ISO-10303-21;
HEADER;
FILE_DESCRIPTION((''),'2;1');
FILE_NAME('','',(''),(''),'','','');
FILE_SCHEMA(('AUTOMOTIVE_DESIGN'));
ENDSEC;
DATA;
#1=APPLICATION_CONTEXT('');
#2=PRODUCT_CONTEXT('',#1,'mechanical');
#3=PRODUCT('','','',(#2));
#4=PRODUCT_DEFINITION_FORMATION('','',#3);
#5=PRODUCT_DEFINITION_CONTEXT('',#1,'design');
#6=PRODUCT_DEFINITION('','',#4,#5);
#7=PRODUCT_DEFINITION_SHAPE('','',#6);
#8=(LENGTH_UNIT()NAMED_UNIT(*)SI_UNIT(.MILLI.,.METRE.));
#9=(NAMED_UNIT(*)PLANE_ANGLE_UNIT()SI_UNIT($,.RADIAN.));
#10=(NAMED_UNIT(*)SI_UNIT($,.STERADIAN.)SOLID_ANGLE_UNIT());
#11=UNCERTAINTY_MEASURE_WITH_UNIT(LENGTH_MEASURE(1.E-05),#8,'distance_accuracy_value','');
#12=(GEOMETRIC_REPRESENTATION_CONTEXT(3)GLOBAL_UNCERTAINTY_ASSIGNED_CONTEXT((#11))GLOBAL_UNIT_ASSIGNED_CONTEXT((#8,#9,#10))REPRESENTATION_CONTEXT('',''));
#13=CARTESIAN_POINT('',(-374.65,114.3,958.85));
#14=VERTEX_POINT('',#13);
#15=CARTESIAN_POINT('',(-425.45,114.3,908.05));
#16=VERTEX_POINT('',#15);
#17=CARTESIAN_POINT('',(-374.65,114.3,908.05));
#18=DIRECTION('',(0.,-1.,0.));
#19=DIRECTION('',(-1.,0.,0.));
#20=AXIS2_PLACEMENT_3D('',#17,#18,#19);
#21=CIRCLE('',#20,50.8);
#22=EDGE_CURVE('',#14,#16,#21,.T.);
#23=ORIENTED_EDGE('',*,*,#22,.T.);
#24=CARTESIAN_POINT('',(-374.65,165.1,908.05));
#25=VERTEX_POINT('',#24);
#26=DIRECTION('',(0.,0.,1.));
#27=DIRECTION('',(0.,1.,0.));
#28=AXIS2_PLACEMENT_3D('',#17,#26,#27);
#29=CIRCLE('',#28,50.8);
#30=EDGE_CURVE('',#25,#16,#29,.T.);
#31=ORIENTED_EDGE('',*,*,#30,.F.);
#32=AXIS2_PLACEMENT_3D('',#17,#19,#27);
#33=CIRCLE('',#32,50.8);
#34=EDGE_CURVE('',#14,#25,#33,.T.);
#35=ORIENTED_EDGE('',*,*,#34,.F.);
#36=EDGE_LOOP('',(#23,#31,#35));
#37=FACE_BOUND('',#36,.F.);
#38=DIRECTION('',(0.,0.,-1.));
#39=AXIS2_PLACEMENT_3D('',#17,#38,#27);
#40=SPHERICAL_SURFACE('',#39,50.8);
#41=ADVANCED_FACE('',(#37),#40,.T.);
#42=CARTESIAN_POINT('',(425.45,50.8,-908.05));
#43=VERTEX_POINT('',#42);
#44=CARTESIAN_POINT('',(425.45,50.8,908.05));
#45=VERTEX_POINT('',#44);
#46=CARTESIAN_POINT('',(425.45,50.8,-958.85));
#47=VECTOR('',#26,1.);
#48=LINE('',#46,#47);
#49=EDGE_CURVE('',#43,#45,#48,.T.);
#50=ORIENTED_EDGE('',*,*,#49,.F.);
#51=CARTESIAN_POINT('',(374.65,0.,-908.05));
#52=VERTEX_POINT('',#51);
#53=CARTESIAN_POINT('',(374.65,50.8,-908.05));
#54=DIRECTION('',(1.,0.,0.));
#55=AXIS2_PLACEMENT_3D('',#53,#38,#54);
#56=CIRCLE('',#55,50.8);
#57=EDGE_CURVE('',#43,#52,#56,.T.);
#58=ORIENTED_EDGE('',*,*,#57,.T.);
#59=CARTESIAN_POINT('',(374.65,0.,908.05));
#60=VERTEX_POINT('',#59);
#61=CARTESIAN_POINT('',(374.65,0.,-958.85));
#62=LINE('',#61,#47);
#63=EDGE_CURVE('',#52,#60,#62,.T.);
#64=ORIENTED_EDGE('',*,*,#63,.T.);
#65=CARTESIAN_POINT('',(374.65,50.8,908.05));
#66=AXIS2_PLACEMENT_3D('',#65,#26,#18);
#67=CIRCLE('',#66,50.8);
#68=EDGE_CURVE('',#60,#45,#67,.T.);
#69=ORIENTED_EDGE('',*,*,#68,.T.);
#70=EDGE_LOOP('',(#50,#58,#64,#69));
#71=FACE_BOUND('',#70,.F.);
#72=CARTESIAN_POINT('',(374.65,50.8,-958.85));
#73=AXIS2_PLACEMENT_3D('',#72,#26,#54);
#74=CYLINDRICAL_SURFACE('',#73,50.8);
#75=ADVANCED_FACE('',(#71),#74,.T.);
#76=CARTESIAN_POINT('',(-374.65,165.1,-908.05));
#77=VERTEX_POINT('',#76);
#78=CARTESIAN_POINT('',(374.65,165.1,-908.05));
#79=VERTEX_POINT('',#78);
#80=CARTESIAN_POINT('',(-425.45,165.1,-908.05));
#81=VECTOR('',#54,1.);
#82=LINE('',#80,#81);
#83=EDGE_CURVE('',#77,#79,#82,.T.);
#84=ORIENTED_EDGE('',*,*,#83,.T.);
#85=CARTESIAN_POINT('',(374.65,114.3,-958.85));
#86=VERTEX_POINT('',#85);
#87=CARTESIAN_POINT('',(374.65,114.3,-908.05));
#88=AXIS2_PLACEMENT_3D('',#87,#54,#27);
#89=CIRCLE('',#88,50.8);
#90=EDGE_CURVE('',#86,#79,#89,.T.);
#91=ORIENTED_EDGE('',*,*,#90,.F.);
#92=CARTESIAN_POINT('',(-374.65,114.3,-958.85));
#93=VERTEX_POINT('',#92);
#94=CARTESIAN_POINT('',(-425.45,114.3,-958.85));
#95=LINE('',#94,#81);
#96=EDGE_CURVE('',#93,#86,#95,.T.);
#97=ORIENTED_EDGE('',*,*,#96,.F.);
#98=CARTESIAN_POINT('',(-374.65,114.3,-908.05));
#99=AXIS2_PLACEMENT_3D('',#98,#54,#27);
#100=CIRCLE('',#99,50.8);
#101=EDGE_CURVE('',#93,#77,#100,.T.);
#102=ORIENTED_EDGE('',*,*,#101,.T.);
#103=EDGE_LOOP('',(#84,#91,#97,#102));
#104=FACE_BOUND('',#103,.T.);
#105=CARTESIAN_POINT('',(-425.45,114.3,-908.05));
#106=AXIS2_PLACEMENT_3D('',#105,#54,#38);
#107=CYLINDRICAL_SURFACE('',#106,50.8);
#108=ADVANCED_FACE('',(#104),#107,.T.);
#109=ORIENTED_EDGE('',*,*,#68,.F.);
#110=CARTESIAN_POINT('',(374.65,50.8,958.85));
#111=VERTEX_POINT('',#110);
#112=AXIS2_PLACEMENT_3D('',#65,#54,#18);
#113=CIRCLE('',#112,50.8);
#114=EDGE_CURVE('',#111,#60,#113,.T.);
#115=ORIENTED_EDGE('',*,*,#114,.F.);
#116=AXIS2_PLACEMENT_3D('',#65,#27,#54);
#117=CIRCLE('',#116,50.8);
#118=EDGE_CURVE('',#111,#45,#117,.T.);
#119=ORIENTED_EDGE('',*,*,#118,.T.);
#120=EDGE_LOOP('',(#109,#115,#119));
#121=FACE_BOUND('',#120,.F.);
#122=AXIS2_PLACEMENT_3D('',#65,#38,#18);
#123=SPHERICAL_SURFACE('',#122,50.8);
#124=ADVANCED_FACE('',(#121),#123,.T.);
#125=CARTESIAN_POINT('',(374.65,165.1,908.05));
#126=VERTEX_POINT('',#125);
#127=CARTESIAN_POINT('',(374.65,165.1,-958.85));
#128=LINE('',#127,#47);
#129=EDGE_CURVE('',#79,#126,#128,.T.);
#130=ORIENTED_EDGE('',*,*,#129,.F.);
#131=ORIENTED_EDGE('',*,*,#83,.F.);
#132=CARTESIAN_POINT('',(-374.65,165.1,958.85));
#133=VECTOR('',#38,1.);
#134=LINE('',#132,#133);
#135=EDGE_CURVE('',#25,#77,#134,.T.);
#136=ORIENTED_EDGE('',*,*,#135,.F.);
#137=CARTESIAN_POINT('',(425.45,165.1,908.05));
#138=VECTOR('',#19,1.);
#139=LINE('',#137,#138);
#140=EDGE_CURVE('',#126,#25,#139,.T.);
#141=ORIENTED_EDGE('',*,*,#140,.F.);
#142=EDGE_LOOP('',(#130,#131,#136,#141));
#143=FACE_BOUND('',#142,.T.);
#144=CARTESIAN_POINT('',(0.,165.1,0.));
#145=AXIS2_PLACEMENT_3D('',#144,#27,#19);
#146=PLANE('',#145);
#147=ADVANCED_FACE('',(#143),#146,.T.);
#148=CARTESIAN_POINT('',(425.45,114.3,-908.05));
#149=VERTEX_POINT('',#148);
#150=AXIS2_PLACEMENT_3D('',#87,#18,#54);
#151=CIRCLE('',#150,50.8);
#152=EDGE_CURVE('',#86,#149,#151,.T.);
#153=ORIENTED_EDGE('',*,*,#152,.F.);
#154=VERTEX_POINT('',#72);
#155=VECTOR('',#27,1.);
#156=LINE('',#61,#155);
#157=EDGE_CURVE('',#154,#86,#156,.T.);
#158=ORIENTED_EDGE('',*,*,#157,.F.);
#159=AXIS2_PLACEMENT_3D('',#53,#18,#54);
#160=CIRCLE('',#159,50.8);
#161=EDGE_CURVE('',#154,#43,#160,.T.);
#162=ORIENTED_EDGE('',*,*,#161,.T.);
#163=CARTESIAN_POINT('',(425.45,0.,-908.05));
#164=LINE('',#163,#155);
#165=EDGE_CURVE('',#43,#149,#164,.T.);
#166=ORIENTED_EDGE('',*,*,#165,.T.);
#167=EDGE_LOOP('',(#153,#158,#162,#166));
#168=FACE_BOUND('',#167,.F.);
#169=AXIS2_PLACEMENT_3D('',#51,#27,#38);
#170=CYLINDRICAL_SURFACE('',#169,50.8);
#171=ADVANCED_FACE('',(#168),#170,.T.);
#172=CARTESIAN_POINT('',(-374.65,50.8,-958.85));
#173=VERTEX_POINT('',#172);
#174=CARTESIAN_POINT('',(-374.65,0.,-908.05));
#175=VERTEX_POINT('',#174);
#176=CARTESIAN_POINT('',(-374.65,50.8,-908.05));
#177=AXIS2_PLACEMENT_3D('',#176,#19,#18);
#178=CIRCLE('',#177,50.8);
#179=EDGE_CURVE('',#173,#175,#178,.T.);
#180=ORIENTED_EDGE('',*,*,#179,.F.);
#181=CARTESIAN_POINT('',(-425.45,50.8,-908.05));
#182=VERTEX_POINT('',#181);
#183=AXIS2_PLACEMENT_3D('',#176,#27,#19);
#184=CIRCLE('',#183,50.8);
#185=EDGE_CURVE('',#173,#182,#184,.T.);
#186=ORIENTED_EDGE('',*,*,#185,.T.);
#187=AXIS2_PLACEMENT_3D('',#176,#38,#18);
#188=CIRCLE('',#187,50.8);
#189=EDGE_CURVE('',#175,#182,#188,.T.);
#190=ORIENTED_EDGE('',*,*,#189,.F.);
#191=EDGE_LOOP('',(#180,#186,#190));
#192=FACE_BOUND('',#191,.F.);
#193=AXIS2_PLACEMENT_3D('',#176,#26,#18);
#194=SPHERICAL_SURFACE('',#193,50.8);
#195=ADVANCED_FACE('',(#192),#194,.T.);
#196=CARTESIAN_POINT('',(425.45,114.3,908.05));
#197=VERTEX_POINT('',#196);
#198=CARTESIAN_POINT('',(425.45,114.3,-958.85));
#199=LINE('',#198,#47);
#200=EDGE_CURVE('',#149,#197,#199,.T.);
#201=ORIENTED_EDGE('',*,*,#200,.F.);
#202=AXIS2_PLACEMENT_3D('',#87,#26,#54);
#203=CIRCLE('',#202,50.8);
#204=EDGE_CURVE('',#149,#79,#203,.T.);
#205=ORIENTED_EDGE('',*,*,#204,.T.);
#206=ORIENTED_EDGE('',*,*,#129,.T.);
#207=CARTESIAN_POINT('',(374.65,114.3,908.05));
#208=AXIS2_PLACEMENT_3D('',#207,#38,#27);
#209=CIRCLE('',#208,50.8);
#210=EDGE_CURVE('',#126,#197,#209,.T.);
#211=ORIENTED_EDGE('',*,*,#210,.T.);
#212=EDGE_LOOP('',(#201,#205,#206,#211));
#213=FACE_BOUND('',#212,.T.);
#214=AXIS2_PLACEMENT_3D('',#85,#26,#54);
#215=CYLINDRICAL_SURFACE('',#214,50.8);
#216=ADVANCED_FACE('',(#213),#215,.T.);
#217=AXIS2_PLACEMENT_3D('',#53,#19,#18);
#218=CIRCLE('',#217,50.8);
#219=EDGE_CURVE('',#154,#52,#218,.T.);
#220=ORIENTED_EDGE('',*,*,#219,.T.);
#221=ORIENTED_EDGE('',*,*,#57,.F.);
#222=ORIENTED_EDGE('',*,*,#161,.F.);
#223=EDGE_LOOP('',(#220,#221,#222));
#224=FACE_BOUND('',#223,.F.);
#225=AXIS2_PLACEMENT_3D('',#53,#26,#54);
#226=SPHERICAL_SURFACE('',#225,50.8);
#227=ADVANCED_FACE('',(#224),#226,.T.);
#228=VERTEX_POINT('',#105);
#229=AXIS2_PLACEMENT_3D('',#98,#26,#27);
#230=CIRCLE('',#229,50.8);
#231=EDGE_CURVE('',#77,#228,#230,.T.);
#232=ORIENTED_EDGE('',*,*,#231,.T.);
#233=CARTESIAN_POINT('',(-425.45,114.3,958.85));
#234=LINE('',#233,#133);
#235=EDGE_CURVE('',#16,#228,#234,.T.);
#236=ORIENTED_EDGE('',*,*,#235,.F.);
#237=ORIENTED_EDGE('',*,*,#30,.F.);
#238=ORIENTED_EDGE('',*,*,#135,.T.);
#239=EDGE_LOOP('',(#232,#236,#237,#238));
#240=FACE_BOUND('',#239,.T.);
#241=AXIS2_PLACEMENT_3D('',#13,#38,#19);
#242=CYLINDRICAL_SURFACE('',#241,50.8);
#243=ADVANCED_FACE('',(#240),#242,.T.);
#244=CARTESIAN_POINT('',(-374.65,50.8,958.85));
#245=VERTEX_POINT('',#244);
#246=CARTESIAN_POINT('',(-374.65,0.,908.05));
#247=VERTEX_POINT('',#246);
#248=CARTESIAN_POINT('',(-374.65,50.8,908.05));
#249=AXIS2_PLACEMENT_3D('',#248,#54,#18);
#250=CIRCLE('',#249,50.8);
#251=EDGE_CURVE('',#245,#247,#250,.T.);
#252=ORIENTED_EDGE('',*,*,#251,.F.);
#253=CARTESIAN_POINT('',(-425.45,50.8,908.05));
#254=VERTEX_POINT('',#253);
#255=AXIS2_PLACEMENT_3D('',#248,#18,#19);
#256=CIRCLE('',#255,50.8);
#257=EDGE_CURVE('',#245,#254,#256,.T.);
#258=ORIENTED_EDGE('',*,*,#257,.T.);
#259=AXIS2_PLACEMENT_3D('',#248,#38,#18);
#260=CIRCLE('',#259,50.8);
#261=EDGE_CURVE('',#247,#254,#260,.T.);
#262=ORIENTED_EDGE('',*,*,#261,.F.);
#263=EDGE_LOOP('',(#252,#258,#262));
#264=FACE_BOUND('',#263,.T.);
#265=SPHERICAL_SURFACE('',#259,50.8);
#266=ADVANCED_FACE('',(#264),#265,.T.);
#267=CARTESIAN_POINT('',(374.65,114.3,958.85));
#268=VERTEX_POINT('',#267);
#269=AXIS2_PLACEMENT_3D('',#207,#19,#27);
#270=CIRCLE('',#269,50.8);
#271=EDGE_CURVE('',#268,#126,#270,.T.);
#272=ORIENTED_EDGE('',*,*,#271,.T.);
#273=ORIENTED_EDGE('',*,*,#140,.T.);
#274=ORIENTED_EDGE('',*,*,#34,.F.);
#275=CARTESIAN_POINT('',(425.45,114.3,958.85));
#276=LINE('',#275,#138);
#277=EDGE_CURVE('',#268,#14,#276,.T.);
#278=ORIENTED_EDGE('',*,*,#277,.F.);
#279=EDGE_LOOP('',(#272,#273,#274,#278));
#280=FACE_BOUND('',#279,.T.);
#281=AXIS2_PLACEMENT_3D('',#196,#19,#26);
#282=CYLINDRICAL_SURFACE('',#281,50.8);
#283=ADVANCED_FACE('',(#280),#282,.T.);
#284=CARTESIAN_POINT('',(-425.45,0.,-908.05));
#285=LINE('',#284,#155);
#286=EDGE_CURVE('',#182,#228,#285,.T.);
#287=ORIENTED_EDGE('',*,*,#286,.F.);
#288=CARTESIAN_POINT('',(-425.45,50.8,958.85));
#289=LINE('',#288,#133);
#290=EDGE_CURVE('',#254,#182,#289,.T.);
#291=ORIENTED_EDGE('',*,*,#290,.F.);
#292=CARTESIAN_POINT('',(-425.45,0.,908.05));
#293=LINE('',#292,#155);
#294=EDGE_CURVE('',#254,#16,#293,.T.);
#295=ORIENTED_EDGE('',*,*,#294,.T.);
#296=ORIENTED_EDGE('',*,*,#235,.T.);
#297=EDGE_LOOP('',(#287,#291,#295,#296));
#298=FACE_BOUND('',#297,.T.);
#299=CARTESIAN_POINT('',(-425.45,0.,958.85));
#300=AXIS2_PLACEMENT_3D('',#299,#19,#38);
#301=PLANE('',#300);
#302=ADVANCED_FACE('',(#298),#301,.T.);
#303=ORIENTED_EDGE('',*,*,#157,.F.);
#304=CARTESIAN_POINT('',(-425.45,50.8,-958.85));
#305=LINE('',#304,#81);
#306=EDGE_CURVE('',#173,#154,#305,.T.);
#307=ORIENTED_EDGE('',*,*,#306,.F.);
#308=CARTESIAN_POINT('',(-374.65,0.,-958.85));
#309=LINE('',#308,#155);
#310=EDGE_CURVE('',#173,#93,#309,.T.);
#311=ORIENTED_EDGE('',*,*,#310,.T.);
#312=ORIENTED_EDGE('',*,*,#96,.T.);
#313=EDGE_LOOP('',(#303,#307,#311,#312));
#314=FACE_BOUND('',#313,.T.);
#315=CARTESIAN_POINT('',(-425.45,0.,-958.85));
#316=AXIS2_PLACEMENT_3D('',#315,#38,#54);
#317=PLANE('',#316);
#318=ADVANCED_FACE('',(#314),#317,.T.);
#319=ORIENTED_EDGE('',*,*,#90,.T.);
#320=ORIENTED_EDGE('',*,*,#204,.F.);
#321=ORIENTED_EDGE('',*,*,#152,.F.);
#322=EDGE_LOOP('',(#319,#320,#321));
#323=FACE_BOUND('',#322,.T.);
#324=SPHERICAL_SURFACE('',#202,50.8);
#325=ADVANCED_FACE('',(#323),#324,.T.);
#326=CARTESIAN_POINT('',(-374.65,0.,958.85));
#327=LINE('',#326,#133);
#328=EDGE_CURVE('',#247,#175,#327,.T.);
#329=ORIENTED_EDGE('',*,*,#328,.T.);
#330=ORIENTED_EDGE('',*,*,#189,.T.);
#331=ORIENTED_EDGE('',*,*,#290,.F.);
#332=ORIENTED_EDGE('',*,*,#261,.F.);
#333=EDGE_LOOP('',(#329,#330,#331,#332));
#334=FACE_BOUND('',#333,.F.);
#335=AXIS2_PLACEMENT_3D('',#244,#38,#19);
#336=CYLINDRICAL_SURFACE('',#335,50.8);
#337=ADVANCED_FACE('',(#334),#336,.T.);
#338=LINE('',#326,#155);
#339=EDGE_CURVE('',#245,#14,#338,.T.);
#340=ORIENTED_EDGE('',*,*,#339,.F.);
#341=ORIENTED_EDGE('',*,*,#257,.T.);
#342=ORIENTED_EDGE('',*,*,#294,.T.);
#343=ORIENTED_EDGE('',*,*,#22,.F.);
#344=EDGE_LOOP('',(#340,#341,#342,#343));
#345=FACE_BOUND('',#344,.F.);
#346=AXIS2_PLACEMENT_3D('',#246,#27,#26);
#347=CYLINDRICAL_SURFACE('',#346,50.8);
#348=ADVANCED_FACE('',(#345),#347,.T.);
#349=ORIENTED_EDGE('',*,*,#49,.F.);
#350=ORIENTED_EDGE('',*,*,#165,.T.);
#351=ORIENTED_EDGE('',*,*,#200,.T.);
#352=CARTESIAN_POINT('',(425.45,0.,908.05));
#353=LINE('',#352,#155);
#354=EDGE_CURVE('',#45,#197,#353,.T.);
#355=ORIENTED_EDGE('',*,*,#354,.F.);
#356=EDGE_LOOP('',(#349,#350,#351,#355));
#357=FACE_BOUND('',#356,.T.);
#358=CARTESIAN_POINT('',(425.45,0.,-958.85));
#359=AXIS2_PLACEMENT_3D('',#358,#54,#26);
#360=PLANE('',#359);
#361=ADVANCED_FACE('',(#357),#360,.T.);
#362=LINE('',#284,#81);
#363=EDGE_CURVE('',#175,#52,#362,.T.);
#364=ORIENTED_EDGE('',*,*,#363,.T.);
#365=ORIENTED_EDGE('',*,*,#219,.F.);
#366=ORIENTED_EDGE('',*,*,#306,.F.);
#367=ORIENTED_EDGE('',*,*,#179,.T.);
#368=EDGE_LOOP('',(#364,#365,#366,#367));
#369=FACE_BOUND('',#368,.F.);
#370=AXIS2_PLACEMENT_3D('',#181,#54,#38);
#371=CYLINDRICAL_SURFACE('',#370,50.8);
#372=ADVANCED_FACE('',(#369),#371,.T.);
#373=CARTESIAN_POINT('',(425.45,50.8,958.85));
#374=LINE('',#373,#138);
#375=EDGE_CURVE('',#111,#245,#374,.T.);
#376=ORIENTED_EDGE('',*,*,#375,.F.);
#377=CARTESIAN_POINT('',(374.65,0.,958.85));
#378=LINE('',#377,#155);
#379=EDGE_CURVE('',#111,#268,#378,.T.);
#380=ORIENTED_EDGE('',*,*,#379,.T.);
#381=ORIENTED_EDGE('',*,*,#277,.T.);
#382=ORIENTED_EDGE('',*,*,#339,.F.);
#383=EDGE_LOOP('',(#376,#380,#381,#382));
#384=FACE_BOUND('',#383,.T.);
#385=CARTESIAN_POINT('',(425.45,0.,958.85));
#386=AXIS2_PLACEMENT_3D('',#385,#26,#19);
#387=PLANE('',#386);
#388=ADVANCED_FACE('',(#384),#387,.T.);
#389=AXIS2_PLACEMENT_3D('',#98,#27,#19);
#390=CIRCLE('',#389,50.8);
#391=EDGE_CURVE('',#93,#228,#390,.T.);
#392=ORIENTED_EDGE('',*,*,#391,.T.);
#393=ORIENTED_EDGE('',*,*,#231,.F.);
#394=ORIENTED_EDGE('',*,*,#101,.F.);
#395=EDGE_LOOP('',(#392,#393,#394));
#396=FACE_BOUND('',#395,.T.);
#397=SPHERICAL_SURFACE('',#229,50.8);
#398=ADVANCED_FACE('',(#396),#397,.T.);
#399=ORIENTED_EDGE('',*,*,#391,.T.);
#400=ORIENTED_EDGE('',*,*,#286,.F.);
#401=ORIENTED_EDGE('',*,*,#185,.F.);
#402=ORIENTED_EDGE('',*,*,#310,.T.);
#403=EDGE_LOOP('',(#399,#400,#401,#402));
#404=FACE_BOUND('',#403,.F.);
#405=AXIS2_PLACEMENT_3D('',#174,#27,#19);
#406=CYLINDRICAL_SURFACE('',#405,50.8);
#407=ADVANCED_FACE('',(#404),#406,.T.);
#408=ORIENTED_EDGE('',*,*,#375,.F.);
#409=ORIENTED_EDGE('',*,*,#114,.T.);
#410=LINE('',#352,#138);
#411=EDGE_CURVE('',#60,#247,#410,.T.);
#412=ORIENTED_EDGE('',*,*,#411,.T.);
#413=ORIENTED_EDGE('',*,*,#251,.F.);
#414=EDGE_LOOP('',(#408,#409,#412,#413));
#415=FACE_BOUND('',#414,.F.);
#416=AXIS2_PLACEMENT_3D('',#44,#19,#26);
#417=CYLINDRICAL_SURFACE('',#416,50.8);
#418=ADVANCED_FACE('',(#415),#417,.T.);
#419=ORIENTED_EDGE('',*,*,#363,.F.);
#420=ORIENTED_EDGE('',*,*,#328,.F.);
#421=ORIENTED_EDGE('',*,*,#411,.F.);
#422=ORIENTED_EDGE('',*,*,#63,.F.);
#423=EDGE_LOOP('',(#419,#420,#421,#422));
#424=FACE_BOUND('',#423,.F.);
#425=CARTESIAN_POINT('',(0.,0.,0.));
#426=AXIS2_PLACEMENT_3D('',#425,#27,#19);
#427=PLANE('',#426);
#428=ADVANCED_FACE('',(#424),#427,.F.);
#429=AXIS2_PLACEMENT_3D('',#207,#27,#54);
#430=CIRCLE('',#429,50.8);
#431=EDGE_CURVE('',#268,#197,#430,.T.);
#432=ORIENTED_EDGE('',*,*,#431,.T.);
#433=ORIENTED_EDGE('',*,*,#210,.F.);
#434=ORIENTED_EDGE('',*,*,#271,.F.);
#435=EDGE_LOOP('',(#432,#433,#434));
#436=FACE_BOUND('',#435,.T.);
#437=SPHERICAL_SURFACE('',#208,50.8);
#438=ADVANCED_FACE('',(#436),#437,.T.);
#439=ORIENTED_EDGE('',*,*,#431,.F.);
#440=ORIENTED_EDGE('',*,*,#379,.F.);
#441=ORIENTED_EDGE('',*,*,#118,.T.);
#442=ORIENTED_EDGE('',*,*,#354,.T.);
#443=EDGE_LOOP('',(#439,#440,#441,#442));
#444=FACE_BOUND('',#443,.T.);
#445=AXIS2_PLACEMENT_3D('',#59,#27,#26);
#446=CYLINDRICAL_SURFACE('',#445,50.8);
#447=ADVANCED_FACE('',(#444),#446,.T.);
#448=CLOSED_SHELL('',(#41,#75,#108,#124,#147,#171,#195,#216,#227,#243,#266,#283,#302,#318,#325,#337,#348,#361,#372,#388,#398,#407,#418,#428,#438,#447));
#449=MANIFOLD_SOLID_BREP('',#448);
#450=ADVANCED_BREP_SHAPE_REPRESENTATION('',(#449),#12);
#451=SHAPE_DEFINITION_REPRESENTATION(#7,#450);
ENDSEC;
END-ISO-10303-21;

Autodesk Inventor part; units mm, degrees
ref_plane "YZ Plane" through (0, 0, 0) normal (1, 0, 0) x (0, 1, 0)
ref_plane "XZ Plane" through (0, 0, 0) normal (0, 1, 0) x (-1, 0, 0)
ref_plane "XY Plane" through (0, 0, 0) normal (0, 0, 1) x (1, 0, 0)
sketch "Sketch1" plane through (0, 0, 0) normal (0, 1, 0) x (-1, 0, 0)
  line L0 (-425.45, 958.85) -> (425.45, 958.85)
  line L1 (425.45, 958.85) -> (425.45, -958.85)
  line L2 (425.45, -958.85) -> (-425.45, -958.85)
  line L3 (-425.45, -958.85) -> (-425.45, 958.85)
  line L4 (-425.45, 958.85) -> (425.45, -958.85) construction
  line L5 (425.45, 958.85) -> (-425.45, -958.85) construction
  point P0 (0, 0)
  dimension "d0" = 850.9
  dimension "d1" = 1917.7
extrude "Extrusion1" add sketch "Sketch1" along normal blind 165.1
fillet "Fillet1" radius 50.8 12 edges at (425.45, 165.1, 0) (-425.45, 165.1, 0) (425.45, 0, 0) (-425.45, 0, 0) (0, 165.1, 958.85) (0, 0, 958.85) (425.45, 82.55, 958.85) (-425.45, 82.55, 958.85) (425.45, 82.55, -958.85) (0, 165.1, -958.85) (0, 0, -958.85) (-425.45, 82.55, -958.85)
properties part number "Matress" material "Rubber"
